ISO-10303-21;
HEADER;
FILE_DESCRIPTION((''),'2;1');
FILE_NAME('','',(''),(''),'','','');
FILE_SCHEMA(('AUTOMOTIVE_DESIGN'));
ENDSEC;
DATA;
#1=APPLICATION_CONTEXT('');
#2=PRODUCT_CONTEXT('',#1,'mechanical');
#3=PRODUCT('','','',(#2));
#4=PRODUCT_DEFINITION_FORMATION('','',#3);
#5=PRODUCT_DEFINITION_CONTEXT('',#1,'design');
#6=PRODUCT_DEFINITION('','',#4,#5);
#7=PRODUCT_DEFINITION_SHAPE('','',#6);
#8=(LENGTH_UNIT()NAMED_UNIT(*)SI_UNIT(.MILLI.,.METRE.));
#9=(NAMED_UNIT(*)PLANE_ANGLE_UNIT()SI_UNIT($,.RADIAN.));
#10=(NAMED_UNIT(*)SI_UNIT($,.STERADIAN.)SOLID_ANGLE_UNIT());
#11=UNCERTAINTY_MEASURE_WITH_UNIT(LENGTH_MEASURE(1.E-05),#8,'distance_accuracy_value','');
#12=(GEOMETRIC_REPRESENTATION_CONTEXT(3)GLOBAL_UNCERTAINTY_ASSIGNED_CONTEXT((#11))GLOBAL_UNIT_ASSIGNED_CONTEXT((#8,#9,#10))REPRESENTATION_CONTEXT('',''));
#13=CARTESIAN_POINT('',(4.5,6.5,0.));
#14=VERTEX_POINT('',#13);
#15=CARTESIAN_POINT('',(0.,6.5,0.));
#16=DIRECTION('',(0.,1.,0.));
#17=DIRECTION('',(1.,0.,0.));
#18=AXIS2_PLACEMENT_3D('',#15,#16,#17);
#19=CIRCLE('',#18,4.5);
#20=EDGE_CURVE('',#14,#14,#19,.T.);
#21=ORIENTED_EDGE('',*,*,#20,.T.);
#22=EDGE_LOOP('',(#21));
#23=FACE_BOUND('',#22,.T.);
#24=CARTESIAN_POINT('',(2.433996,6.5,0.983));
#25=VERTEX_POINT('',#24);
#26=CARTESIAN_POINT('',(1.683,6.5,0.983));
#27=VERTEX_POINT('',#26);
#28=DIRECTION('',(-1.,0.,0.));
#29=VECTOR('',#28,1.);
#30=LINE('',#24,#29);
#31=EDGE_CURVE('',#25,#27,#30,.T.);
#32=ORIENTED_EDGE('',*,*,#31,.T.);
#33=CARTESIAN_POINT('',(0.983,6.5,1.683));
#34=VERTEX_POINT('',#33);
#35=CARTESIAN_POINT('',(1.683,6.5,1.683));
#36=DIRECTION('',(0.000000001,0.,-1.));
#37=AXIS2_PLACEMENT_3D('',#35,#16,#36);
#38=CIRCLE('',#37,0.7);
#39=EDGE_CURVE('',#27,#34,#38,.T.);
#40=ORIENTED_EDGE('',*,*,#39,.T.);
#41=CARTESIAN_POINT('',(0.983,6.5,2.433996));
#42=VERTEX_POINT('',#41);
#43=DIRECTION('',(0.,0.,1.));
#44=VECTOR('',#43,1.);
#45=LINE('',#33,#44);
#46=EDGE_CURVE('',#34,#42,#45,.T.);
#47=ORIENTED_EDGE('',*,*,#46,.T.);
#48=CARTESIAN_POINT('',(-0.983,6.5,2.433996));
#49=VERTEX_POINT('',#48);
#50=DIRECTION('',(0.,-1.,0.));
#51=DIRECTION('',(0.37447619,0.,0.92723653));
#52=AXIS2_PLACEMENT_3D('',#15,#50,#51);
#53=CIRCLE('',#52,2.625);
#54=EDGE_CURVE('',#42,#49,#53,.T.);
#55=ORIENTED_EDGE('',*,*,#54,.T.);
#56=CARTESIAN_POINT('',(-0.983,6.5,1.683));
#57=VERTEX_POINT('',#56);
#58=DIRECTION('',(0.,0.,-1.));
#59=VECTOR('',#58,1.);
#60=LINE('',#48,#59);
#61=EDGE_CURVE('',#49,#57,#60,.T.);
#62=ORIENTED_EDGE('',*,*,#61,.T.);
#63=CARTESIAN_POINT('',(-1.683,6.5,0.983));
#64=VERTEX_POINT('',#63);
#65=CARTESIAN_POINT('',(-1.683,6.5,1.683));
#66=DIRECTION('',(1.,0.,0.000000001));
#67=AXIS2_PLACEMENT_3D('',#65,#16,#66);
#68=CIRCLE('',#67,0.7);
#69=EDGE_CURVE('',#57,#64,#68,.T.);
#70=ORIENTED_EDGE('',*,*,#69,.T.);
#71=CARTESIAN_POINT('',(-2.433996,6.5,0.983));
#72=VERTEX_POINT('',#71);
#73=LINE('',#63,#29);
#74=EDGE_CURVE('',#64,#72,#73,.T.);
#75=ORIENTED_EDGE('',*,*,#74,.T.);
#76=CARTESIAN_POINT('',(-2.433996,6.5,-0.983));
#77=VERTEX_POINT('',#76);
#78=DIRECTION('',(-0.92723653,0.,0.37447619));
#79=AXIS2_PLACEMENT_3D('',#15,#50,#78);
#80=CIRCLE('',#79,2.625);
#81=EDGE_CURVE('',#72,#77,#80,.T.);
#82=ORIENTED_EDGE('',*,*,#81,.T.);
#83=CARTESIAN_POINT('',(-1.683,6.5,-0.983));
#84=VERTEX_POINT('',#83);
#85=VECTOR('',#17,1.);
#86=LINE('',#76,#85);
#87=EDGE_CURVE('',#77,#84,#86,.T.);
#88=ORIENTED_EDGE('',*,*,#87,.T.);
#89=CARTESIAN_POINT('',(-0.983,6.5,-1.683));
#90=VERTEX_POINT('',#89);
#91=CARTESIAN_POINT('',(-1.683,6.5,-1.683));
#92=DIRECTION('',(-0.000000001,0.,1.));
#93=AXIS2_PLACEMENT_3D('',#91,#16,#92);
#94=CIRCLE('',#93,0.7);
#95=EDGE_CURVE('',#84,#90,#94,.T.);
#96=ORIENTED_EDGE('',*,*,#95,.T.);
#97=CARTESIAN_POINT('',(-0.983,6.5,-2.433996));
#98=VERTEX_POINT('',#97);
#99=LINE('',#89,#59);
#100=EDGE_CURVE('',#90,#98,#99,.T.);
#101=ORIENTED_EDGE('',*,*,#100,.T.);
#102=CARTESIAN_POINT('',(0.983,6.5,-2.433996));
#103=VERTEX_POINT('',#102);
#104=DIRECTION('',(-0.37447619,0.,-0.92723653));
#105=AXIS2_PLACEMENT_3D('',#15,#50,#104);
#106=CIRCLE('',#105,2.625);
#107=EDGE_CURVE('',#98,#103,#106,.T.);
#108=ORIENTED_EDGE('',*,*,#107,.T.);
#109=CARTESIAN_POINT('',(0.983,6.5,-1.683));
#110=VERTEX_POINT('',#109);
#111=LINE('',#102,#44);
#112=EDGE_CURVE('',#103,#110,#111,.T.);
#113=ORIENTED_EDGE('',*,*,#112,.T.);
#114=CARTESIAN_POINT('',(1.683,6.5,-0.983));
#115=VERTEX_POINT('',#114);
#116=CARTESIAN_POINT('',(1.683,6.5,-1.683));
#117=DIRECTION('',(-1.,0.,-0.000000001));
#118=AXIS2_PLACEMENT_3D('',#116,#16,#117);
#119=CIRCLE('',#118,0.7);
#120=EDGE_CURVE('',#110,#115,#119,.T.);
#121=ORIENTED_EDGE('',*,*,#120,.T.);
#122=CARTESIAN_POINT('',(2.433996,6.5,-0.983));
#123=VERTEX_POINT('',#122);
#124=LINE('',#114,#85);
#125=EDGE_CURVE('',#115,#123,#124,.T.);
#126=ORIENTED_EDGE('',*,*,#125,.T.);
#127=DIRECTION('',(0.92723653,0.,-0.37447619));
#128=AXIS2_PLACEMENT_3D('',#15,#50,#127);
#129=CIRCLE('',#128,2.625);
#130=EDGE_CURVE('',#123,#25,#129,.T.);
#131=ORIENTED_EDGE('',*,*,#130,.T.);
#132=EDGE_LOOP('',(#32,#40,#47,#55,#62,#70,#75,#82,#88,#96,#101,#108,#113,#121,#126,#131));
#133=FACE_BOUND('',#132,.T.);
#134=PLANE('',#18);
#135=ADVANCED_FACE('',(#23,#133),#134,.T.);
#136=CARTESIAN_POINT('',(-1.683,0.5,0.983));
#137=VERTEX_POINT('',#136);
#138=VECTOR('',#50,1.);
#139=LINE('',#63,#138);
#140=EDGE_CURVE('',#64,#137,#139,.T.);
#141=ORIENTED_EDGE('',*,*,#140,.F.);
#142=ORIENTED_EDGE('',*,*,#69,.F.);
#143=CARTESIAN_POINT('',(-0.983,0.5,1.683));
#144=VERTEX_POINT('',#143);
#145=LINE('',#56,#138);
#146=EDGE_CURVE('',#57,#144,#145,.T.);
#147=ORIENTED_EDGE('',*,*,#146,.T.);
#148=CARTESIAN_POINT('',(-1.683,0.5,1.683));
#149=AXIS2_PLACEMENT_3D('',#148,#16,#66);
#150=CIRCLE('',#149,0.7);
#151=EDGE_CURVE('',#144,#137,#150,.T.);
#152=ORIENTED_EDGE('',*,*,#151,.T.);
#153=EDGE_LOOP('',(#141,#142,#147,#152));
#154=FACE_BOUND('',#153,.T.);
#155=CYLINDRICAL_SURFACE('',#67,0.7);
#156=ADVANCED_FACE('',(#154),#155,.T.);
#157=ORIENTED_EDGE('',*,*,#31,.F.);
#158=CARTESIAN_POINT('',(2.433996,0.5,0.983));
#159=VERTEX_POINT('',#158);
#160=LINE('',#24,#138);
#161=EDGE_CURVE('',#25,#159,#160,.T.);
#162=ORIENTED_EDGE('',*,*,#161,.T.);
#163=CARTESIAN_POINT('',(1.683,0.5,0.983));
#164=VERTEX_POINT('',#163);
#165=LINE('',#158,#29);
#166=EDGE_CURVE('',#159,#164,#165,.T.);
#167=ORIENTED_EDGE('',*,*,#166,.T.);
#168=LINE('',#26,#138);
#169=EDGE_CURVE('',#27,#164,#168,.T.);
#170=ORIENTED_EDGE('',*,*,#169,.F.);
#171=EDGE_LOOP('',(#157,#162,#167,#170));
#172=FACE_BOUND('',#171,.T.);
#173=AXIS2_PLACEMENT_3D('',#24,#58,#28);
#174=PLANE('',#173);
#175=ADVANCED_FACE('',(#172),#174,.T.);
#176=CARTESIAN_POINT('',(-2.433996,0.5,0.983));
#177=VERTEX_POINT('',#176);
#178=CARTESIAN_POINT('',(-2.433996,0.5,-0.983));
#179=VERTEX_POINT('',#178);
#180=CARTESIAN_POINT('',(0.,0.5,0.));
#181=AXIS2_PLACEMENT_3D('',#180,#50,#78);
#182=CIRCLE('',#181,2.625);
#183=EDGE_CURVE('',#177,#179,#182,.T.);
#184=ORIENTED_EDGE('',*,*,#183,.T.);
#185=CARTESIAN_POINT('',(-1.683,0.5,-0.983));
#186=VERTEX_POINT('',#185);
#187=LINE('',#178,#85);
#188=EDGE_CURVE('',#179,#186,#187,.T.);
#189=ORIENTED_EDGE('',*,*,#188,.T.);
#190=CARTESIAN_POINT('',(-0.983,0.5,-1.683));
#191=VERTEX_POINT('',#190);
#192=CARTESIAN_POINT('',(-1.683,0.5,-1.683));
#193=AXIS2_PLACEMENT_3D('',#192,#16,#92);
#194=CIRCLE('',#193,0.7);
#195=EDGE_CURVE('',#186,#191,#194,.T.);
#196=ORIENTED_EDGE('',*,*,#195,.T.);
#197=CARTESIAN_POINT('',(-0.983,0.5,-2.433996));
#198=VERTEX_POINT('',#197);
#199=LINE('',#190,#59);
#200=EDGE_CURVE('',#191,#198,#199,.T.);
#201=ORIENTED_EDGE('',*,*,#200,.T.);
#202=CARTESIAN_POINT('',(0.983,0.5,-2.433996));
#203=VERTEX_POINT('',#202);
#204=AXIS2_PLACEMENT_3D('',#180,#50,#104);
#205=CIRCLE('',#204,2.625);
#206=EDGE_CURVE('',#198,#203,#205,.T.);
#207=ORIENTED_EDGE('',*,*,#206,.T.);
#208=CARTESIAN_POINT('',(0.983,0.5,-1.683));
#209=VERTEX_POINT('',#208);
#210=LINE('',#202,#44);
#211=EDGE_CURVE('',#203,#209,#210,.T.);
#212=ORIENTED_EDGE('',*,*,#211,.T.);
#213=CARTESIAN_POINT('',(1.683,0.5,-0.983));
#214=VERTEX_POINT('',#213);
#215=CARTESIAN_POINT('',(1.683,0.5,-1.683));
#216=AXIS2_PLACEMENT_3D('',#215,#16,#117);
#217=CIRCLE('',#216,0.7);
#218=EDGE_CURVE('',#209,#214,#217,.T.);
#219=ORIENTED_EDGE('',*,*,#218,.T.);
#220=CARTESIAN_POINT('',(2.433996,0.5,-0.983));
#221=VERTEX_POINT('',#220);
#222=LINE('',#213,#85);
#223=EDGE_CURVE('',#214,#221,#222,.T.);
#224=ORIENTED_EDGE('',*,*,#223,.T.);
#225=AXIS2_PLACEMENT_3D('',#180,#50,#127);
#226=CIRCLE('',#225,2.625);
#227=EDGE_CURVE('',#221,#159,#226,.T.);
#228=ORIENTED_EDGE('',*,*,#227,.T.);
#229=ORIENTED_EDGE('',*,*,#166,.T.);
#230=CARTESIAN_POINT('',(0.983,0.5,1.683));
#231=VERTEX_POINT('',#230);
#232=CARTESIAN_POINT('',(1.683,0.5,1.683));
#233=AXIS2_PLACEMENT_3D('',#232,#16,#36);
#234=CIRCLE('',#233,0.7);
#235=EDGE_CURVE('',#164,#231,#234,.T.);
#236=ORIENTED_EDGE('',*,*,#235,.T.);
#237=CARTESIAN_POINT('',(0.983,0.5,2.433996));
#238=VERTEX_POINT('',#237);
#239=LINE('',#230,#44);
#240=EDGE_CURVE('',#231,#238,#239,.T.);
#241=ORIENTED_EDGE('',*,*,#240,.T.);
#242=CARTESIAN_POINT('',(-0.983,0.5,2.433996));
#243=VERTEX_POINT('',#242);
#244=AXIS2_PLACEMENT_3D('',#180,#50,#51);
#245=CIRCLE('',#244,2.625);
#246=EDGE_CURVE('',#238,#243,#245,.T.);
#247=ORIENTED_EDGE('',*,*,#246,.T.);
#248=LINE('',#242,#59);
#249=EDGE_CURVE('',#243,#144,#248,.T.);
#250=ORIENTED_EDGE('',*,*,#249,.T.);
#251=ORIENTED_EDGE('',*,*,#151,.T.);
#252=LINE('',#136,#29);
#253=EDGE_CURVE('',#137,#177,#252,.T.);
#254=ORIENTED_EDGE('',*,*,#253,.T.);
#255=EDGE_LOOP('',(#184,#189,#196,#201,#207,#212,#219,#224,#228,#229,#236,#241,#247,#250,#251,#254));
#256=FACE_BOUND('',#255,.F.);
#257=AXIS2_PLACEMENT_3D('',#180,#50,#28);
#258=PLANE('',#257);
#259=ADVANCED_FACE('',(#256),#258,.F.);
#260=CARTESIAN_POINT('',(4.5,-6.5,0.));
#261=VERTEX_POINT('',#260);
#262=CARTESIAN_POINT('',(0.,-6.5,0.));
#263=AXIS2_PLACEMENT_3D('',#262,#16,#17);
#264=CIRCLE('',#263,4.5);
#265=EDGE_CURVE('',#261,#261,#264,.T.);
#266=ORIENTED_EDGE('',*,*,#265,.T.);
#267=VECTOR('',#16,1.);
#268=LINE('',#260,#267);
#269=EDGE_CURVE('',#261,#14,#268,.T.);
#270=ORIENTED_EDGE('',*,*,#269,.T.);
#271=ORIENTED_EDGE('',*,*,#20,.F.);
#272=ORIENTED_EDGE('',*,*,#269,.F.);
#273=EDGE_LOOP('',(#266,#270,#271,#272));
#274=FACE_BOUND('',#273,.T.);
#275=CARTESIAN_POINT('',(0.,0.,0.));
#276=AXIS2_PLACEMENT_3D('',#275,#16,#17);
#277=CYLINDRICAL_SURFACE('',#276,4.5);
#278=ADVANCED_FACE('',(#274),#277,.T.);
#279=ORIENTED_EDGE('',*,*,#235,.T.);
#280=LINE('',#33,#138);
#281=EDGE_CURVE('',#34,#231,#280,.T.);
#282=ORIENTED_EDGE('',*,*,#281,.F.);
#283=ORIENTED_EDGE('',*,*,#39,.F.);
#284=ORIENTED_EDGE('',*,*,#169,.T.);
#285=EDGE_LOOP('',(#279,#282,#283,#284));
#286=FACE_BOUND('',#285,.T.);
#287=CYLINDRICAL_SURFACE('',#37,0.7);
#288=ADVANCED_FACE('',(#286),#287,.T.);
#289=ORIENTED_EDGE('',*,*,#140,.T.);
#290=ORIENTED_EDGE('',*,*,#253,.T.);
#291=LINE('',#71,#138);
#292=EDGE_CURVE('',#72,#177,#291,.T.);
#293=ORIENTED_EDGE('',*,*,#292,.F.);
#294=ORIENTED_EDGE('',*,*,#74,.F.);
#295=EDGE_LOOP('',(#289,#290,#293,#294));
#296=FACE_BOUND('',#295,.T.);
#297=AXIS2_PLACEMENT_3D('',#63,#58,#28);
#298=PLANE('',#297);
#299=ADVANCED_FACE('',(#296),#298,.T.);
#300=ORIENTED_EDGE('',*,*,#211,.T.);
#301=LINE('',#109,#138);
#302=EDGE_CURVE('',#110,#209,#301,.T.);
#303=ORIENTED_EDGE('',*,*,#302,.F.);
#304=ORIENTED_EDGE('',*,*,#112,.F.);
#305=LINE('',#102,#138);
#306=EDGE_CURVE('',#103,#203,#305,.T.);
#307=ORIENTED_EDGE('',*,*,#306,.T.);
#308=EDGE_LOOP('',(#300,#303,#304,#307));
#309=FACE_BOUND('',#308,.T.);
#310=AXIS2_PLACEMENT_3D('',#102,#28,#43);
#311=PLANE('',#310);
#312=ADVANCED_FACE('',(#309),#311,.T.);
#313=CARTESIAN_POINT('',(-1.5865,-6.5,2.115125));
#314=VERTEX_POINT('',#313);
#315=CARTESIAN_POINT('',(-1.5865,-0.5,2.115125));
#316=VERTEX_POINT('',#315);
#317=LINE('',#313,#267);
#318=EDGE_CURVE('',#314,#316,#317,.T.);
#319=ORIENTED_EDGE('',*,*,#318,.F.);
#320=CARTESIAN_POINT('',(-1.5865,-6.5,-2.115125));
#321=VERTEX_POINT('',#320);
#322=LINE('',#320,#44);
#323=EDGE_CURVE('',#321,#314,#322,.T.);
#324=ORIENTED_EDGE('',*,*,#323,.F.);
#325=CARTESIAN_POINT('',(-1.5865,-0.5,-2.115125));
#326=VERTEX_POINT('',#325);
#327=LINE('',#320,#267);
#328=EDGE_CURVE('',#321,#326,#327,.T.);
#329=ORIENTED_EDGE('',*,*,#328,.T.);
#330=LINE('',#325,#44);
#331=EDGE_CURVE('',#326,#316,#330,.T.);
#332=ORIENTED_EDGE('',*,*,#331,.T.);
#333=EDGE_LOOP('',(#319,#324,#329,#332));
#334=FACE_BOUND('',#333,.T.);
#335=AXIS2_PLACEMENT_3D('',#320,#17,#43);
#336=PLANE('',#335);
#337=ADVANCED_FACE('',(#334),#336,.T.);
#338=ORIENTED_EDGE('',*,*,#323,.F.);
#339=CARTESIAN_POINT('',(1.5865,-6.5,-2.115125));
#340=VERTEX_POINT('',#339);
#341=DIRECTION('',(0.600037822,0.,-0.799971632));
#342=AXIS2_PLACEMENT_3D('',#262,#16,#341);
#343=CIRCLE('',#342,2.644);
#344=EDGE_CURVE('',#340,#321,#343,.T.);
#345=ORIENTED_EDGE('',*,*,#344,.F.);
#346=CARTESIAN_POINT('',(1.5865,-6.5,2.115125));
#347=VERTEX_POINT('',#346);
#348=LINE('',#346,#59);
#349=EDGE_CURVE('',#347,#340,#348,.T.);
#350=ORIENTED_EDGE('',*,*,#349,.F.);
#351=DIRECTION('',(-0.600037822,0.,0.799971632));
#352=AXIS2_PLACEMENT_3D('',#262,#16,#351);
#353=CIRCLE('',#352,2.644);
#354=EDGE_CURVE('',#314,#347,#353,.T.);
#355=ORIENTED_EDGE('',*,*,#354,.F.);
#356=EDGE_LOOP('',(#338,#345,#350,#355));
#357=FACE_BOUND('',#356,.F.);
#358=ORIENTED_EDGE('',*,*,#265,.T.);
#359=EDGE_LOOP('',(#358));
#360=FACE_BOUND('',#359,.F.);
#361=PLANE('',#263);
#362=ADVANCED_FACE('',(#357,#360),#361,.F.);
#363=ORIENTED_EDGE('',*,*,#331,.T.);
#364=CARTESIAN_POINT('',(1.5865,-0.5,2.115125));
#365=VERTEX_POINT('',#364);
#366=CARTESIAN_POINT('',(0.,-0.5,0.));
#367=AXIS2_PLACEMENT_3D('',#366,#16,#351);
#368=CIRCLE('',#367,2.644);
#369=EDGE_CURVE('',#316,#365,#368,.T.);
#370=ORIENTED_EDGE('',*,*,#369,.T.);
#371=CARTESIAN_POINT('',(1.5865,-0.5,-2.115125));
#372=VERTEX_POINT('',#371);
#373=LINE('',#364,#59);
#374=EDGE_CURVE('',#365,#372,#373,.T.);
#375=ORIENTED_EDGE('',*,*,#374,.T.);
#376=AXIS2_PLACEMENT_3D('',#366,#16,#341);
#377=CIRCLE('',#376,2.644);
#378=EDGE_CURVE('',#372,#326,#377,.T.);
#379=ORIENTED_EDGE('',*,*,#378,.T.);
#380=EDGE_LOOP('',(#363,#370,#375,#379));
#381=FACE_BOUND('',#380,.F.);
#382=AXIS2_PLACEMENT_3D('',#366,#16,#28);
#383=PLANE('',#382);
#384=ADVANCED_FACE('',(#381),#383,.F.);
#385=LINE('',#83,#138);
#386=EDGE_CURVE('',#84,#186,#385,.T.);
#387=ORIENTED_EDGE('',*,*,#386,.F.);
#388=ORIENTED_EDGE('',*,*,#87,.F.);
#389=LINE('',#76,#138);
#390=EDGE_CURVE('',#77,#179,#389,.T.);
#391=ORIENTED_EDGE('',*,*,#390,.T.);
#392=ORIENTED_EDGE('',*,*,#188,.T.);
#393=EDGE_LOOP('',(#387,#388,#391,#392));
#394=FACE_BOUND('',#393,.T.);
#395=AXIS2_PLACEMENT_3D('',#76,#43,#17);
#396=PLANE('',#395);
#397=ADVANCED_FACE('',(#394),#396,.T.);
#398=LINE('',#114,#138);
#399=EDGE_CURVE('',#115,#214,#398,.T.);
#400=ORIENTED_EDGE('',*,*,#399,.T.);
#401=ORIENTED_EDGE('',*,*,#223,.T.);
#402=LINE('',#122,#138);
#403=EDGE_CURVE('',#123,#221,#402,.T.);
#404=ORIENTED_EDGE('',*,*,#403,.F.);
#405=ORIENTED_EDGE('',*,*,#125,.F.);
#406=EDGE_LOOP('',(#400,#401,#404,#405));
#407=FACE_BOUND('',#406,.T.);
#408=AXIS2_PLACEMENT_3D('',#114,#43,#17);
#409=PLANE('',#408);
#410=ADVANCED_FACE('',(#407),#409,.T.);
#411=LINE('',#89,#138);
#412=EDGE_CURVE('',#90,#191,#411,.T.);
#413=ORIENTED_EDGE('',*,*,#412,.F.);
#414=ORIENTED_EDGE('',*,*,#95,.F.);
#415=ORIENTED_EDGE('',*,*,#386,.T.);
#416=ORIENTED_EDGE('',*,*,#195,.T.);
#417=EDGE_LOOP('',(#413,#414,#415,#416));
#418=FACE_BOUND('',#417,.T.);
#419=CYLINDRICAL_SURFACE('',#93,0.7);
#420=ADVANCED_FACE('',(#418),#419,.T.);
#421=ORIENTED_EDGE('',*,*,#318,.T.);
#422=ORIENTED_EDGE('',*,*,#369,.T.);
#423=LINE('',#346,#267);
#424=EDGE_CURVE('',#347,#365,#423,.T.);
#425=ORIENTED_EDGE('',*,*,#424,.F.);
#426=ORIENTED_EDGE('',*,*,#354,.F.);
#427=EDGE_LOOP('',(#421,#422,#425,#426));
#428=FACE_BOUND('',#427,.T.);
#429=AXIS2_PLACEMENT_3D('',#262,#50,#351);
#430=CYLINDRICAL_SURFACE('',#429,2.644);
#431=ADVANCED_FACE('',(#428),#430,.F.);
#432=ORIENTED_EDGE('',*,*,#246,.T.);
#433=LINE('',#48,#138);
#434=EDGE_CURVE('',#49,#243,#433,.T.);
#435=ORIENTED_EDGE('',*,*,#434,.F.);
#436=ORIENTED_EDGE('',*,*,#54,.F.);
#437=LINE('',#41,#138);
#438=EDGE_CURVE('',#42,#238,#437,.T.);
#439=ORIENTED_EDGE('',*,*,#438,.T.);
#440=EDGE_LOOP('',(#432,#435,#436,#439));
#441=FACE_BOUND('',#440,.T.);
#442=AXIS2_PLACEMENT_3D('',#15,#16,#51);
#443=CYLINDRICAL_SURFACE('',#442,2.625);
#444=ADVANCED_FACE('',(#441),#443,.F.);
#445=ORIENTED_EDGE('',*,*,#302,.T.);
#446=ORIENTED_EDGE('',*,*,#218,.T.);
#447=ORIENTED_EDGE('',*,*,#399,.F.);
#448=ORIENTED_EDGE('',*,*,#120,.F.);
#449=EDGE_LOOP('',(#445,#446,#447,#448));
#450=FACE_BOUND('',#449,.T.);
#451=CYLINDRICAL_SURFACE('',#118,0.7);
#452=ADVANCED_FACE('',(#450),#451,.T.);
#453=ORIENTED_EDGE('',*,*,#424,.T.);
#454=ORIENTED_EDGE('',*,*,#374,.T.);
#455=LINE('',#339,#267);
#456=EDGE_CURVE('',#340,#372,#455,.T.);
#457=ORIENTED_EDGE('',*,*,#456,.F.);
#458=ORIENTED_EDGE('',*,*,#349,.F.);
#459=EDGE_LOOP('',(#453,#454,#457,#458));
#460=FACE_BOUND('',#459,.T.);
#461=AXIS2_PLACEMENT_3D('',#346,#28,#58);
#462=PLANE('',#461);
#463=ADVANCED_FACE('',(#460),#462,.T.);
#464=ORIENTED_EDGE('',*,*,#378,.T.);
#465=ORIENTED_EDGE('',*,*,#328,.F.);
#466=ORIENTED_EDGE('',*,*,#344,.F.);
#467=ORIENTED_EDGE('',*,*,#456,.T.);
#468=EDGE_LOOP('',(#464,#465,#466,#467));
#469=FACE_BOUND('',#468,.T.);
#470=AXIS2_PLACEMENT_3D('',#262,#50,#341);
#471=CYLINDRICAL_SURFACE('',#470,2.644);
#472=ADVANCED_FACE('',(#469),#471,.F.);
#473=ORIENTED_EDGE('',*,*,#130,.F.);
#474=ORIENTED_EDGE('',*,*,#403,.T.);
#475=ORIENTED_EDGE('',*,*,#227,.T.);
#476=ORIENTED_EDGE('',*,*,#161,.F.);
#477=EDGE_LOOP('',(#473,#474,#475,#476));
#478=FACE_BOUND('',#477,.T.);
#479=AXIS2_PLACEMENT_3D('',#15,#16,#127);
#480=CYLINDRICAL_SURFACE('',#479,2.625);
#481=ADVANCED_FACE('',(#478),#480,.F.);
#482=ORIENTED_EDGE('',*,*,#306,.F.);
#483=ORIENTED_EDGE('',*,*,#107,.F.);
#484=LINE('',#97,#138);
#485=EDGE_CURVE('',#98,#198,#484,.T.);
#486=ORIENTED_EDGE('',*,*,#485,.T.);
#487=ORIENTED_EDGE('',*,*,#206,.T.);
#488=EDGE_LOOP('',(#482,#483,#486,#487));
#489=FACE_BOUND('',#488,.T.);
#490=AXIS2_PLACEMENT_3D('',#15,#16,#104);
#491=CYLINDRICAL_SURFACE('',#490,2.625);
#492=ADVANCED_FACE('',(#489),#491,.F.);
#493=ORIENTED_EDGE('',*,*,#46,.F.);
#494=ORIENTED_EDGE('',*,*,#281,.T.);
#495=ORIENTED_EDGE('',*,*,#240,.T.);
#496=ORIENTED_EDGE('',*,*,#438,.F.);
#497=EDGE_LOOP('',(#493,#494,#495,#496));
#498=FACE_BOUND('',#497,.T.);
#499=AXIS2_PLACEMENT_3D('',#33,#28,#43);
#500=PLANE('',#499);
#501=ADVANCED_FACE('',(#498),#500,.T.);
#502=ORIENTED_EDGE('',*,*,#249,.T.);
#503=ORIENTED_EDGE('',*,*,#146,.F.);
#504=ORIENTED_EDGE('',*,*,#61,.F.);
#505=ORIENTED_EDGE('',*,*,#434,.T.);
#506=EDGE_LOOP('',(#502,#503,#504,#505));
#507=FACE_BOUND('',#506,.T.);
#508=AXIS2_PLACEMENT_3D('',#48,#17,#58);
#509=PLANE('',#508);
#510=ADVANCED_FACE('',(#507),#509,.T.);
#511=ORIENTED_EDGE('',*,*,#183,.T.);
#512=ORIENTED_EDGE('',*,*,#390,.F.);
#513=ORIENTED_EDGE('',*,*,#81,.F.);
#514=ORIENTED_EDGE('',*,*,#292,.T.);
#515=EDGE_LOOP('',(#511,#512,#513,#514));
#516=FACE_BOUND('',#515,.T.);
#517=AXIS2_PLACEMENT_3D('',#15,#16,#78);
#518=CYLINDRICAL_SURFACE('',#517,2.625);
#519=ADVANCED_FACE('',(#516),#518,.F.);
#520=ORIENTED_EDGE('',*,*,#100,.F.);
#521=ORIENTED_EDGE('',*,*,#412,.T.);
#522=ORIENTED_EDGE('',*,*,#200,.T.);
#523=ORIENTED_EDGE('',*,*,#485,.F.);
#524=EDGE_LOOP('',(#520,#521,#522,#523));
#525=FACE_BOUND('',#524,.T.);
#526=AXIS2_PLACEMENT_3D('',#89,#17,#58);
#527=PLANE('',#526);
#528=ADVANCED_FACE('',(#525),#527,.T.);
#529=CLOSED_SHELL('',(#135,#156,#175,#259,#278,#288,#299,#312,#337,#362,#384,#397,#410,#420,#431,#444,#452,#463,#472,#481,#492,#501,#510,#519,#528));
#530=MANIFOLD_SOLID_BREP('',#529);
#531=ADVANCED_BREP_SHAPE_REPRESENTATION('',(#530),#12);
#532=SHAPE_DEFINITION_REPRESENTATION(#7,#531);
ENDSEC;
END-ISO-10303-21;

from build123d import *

# Parameters (mm, degrees)
SKETCH1_R           = 4.5
BOSS_EXTRUDE1_DEPTH = 6.5
CUT_EXTRUDE1_DEPTH  = 6
CUT_EXTRUDE2_DEPTH  = 6


with BuildPart() as part:
    # Sketch1 → Boss-Extrude1 (new body, symmetric)
    with BuildSketch(Plane(origin=(0, 0, 0), x_dir=(1, 0, 0), z_dir=(0, 1, 0))):
        Circle(SKETCH1_R)
    extrude(amount=BOSS_EXTRUDE1_DEPTH, both=True)

    # Sketch2 → Cut-Extrude1 (cut)
    with BuildSketch(Plane.XZ.offset(6.5)):
        with BuildLine():
            Line((-1.5865, -2.115124996), (-1.5865, 2.115124996))
            ThreePointArc((-1.5865, 2.115124996), (0, 2.644), (1.5865, 2.115124996))
            Line((1.5865, 2.115124996), (1.5865, -2.115124996))
            ThreePointArc((1.5865, -2.115124996), (0, -2.644), (-1.5865, -2.115124996))
        make_face()
    extrude(amount=-CUT_EXTRUDE1_DEPTH, mode=Mode.SUBTRACT)

    # Sketch3 → Cut-Extrude2 (cut)
    with BuildSketch(Plane(origin=(0, 6.5, 0), x_dir=(1, 0, 0), z_dir=(0, 1, 0))):
        with BuildLine():
            Line((0.983, 2.433995892), (0.983, 1.683))
            ThreePointArc((0.983, 1.683), (1.188025253, 1.188025253), (1.683, 0.983))
            Line((1.683, 0.983), (2.433995892, 0.983))
            ThreePointArc((2.433995892, 0.983), (2.625, 0), (2.433995892, -0.983))
            Line((2.433995892, -0.983), (1.683, -0.983))
            ThreePointArc((1.683, -0.983), (1.188025253, -1.188025253), (0.983, -1.683))
            Line((0.983, -1.683), (0.983, -2.433995892))
            ThreePointArc((0.983, -2.433995892), (0, -2.625), (-0.983, -2.433995892))
            Line((-0.983, -2.433995892), (-0.983, -1.683))
            ThreePointArc((-0.983, -1.683), (-1.188025253, -1.188025253), (-1.683, -0.983))
            Line((-1.683, -0.983), (-2.433995892, -0.983))
            ThreePointArc((-2.433995892, -0.983), (-2.625, 0), (-2.433995892, 0.983))
            Line((-2.433995892, 0.983), (-1.683, 0.983))
            ThreePointArc((-1.683, 0.983), (-1.188025253, 1.188025253), (-0.983, 1.683))
            Line((-0.983, 1.683), (-0.983, 2.433995892))
            ThreePointArc((-0.983, 2.433995892), (0, 2.625), (0.983, 2.433995892))
        make_face()
    extrude(amount=-CUT_EXTRUDE2_DEPTH, mode=Mode.SUBTRACT)


solid = part.part
